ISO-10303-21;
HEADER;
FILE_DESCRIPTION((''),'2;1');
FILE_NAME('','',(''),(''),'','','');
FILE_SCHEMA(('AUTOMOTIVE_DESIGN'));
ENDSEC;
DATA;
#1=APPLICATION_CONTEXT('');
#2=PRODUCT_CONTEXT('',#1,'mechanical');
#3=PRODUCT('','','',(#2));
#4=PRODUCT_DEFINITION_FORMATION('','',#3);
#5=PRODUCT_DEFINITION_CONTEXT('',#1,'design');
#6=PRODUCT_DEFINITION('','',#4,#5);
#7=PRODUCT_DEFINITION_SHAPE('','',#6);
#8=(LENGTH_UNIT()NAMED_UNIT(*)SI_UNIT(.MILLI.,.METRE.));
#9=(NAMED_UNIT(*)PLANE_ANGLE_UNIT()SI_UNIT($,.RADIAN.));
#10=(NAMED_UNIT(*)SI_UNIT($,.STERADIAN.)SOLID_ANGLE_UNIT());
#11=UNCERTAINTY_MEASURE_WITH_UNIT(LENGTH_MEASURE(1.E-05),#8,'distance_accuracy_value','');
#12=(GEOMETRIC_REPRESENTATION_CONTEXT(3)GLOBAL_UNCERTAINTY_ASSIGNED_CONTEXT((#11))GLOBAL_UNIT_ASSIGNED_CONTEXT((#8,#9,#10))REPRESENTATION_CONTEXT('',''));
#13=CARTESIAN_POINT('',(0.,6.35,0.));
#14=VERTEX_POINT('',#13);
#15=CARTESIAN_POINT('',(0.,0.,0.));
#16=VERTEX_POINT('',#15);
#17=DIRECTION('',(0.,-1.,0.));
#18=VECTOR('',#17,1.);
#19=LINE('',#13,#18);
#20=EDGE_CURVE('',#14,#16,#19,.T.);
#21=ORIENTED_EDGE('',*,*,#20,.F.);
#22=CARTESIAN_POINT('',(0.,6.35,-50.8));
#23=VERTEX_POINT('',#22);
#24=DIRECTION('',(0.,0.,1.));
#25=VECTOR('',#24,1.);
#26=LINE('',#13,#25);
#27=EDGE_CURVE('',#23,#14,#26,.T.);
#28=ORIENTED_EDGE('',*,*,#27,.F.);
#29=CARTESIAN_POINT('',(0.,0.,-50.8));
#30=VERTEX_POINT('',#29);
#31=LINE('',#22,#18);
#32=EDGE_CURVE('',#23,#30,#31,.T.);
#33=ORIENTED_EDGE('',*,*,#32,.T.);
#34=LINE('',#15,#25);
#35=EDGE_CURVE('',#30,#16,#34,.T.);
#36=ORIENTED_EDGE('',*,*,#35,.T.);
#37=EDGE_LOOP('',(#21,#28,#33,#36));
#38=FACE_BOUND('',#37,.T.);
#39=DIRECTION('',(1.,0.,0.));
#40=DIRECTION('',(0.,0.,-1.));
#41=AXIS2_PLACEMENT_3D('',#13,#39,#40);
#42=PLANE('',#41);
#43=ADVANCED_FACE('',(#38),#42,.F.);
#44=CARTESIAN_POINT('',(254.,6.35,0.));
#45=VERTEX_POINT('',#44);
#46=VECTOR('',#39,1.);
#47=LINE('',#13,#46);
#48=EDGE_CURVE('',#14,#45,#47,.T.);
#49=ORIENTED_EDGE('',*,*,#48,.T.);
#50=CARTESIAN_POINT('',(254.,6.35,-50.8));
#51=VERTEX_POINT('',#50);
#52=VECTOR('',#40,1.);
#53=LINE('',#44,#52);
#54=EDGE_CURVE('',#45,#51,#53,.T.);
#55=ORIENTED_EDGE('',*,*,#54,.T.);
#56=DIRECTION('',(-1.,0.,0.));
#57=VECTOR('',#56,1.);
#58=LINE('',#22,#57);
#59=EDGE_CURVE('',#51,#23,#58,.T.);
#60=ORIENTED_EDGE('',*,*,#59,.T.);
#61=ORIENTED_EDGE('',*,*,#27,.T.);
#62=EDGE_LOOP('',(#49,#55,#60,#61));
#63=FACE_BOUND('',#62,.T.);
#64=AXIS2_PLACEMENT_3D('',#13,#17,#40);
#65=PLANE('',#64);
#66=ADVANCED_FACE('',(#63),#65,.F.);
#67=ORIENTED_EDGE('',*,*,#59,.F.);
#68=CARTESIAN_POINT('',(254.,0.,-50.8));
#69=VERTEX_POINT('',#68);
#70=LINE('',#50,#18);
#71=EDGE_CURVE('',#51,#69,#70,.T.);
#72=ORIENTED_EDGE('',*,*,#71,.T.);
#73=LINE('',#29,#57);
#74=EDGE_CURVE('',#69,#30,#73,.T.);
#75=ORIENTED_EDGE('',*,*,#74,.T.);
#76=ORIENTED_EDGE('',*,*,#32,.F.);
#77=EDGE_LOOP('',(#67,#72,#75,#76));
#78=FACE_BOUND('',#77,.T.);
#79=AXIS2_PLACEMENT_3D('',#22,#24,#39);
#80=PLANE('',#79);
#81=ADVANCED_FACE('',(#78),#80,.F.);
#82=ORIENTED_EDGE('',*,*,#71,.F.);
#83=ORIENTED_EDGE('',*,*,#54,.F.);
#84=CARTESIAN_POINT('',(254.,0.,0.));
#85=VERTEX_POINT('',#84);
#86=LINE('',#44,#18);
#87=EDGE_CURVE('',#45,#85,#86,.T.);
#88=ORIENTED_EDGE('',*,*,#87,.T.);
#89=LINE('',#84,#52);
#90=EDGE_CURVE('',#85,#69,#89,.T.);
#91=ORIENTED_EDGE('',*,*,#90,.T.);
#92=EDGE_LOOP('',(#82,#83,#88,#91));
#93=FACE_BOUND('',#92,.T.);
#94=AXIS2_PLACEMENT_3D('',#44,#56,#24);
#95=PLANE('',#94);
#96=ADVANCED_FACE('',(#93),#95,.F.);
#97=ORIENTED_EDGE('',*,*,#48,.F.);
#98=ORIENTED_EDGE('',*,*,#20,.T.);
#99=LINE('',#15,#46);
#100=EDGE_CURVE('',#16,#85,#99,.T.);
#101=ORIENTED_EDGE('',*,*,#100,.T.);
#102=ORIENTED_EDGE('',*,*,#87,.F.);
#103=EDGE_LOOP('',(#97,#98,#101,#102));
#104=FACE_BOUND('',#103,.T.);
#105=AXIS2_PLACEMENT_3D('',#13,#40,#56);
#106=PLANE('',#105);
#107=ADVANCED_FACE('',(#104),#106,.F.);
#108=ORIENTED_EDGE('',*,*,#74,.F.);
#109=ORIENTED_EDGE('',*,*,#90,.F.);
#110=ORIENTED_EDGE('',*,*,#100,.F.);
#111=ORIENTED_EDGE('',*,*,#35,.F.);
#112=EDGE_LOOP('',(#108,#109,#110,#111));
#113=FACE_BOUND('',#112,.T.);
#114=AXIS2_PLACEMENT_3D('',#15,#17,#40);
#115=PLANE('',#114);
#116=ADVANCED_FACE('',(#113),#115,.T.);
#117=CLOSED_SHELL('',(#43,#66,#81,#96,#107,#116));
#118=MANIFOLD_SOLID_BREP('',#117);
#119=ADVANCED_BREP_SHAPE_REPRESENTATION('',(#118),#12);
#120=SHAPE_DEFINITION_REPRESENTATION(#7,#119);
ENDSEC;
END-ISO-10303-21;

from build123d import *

# Parameters (mm, degrees)
SKETCH1_W           = 254
SKETCH1_H           = 50.8
BOSS_EXTRUDE1_DEPTH = 6.35


with BuildPart() as part:
    # Sketch1 → Boss-Extrude1 (new body)
    with BuildSketch(Plane(origin=(0, 0, 0), x_dir=(1, 0, 0), z_dir=(0, 1, 0))):
        with Locations((127, 25.4)):
            Rectangle(SKETCH1_W, SKETCH1_H)
    extrude(amount=BOSS_EXTRUDE1_DEPTH)


solid = part.part
